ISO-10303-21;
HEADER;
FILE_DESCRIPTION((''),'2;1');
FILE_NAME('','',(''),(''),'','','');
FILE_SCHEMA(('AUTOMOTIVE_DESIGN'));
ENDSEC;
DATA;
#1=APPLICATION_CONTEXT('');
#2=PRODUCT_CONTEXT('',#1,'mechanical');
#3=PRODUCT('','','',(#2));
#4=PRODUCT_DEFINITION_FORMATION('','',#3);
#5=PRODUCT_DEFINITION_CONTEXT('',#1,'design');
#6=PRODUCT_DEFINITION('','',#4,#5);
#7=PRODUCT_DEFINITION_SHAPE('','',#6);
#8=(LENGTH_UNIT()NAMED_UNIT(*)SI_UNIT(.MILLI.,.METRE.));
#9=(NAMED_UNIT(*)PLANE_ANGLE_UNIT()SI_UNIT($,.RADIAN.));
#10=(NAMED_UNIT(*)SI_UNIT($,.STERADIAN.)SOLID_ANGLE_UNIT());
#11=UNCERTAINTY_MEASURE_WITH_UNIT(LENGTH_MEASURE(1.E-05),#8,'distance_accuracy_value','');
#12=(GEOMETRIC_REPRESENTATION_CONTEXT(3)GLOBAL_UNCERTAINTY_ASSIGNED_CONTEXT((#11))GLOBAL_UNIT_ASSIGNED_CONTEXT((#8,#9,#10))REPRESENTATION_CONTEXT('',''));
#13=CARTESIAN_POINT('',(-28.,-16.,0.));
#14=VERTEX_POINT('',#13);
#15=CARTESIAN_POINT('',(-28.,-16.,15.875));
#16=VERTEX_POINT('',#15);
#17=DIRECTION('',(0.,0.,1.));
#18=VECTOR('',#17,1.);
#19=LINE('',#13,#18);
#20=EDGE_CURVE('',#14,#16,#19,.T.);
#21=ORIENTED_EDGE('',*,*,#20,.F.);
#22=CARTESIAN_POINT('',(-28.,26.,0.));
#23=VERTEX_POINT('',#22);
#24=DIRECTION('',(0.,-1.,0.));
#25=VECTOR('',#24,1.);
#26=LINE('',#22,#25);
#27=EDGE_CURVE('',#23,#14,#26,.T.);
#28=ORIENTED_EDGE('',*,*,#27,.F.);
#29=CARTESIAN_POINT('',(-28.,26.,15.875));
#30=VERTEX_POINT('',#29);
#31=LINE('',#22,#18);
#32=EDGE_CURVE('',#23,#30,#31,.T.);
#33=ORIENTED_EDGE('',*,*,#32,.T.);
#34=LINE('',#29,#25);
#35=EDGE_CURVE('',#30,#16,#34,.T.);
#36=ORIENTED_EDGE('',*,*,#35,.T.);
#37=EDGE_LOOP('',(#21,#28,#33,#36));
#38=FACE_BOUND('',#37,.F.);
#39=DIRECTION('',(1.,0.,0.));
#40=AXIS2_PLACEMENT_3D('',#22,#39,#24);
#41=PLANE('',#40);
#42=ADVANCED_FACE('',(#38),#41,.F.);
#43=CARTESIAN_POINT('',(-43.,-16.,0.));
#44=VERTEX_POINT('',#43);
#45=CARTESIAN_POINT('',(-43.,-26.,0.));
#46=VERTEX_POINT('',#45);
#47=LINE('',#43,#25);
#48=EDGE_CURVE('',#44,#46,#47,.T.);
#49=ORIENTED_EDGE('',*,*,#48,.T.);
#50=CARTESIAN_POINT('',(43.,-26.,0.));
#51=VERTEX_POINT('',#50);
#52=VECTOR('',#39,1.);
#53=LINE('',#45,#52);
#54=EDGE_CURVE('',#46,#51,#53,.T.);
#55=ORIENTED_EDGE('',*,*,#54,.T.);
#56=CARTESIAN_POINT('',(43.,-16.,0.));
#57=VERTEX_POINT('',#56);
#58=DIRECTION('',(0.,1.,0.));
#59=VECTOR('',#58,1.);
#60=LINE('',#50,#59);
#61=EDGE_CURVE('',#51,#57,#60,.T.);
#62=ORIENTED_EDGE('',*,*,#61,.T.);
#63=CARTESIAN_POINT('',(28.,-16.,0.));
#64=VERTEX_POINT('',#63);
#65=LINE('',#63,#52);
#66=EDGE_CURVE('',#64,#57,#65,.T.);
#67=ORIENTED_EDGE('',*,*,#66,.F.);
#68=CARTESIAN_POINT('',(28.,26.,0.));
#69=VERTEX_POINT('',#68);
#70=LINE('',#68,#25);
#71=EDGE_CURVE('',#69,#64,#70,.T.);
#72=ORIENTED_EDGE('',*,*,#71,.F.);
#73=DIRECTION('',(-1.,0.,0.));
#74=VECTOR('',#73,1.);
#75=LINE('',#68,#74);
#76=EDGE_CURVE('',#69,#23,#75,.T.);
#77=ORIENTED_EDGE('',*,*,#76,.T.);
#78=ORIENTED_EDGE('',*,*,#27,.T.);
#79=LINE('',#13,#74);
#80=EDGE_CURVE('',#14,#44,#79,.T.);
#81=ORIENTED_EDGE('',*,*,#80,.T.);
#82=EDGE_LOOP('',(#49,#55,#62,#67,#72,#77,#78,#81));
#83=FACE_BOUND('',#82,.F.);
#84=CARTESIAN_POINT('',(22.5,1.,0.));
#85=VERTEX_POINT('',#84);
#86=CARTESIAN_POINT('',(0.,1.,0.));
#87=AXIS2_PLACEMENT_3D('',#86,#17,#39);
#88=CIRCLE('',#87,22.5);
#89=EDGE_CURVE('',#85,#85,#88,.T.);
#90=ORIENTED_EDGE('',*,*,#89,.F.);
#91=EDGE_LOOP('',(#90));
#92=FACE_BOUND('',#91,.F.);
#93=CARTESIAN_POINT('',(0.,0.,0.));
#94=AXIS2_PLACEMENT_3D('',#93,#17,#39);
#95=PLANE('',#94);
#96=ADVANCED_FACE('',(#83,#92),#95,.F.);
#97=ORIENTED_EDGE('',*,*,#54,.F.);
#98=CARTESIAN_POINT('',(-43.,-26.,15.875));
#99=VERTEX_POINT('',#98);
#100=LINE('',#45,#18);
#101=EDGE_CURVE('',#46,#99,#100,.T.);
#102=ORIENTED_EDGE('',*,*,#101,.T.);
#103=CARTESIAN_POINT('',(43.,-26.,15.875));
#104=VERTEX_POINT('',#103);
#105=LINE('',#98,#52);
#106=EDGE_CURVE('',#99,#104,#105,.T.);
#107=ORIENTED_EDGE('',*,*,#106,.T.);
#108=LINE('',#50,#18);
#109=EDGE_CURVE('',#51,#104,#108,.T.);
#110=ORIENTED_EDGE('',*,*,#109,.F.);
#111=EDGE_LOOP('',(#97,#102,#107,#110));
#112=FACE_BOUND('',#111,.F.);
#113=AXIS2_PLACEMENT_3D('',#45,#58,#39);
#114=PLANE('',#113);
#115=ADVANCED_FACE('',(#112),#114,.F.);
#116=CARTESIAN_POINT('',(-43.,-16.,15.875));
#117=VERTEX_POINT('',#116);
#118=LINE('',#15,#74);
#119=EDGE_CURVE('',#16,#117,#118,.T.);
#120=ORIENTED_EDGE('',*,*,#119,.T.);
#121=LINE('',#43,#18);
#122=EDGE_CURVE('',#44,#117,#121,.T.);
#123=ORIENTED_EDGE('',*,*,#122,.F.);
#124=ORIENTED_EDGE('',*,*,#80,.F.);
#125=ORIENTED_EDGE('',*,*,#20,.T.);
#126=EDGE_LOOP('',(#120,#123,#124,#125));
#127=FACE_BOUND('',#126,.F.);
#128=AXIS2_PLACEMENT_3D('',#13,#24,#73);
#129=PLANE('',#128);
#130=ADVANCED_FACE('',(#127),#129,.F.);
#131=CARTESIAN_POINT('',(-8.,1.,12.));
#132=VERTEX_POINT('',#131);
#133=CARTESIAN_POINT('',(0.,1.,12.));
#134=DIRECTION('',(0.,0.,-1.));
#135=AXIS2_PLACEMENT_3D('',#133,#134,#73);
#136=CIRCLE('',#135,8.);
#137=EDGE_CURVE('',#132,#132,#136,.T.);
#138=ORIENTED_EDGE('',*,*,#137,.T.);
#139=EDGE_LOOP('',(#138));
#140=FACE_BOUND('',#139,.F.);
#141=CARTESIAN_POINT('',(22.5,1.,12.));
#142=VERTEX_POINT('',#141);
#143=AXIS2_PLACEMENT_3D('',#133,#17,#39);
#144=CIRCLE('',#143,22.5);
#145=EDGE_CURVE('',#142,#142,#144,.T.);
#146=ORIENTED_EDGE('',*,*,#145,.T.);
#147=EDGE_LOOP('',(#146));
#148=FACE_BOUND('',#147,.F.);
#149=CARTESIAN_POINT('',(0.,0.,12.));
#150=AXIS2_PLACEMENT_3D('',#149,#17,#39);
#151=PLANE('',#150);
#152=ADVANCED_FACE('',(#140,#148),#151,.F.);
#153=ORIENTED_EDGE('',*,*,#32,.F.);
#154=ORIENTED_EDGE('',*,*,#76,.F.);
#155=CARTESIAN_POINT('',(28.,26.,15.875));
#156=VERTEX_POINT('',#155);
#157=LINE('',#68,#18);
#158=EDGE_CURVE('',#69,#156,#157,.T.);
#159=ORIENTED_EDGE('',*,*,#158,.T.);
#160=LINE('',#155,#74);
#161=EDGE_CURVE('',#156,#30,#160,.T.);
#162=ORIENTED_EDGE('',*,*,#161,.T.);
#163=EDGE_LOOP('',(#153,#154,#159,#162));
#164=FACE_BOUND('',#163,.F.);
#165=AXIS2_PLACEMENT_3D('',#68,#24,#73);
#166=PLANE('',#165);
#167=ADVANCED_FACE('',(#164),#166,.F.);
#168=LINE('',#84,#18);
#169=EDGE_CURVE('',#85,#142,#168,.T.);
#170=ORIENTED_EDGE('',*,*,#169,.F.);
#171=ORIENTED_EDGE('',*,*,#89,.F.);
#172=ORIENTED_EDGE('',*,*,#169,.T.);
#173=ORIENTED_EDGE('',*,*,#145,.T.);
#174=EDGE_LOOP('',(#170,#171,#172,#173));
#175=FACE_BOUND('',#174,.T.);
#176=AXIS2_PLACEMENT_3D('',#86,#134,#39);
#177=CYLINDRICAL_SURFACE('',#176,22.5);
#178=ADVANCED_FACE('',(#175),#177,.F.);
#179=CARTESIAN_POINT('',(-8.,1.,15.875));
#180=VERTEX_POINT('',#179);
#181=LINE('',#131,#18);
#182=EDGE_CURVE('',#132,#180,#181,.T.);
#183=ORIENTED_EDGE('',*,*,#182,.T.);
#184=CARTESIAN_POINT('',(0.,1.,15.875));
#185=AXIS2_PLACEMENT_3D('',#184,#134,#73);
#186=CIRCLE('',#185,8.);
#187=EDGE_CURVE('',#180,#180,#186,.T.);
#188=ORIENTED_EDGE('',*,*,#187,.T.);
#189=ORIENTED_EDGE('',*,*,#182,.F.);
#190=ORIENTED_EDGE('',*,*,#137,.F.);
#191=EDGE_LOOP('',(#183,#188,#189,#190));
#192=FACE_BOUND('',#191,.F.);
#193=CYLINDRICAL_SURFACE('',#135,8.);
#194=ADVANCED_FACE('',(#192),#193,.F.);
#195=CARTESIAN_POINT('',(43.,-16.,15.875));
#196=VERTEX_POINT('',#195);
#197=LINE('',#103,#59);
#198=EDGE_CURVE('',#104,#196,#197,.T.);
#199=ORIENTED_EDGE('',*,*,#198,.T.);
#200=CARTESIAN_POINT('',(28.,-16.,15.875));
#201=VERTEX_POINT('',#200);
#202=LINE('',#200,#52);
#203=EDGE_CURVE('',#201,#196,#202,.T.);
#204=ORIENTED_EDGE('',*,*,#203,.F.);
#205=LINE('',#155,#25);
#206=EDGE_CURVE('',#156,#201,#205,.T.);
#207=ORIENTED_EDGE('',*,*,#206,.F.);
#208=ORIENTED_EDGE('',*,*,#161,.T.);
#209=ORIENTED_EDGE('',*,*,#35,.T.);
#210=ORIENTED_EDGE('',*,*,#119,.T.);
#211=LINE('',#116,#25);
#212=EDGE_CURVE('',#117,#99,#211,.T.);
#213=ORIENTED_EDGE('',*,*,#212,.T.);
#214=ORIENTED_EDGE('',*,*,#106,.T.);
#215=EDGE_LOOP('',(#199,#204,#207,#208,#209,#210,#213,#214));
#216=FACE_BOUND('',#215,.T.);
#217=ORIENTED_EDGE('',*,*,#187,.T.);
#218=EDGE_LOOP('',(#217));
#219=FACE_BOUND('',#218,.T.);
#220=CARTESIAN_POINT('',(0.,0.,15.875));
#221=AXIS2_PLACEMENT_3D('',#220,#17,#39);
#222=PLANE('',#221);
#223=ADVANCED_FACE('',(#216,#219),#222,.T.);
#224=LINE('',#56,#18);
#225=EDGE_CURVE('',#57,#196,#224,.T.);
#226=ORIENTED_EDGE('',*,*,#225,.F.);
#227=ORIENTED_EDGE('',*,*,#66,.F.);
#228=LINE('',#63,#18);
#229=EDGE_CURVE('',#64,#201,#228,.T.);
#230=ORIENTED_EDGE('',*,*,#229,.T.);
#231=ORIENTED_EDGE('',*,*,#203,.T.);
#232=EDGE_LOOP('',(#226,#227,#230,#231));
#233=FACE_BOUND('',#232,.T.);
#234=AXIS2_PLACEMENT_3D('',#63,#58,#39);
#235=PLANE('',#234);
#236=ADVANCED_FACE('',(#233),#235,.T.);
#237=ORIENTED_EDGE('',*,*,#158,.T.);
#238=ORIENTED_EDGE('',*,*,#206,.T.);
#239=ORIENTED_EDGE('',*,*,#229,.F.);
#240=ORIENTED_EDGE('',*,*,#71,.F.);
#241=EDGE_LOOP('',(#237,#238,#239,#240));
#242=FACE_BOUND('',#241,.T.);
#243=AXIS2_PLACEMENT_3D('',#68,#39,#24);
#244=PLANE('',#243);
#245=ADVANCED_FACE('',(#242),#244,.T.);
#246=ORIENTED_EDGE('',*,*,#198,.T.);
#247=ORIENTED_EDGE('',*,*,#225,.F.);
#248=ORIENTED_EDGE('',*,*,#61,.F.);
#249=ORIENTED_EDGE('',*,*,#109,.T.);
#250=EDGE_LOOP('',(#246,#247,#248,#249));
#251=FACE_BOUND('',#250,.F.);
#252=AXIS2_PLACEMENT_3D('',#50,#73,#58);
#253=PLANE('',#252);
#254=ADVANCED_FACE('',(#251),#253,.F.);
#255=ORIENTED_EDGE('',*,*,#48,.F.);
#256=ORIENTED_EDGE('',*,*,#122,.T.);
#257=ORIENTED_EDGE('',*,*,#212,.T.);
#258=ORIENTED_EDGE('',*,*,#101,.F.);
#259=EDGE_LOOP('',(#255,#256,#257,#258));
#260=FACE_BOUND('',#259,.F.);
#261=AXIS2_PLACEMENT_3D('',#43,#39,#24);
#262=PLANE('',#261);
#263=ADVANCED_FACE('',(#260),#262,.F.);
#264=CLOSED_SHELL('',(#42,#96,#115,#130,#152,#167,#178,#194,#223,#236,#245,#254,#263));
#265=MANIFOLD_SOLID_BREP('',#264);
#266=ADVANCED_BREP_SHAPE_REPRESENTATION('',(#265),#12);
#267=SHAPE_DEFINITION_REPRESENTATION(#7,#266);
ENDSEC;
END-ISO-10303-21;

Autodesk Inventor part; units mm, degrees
ref_plane "YZ Plane" through (0, 0, 0) normal (1, 0, 0) x (0, 1, 0)
ref_plane "XZ Plane" through (0, 0, 0) normal (0, 1, 0) x (-1, 0, 0)
ref_plane "XY Plane" through (0, 0, 0) normal (0, 0, 1) x (1, 0, 0)
sketch "Sketch1" plane through (0, 0, 0) normal (0, 0, 1) x (1, 0, 0)
  line L0 (-43, -26) -> (43, -26)
  line L1 (43, -26) -> (43, -16)
  line L2 (28, 26) -> (-28, 26)
  line L3 (-43, -16) -> (-43, -26)
  line L4 (-28, 26) -> (-28, -16)
  line L5 (-28, -16) -> (-43, -16)
  line L6 (28, 26) -> (28, -16)
  line L7 (28, -16) -> (43, -16)
  circle A0 centre (0, 1) radius 22.5
  point P0 (0, 0)
  point P1 (35.5, -16)
  dimension "d4" = 52
  dimension "d5" = 42
  dimension "d6" = 56
  dimension "d7" = 86
  dimension "d8" = 10
  dimension "d9" = 27
  dimension "d10" = 45
extrude "Extrusion1" add sketch "Sketch1" along normal blind 15.875
sketch "Sketch2" plane through (0, 0, 15.875) normal (0, 0, 1) x (1, 0, 0)
  circle A0 centre (0, 1) radius 22.5 projected
  point P0 (0, 0)
extrude "Extrusion2" add sketch "Sketch2" against normal blind 3.875
sketch "Sketch3" plane through (0, 1, 12) normal (0, 0, -1) x (-1, 0, 0)
  circle A0 centre (0, 0) radius 8
  point P0 (0, -1)
  dimension "d15" = 16
extrude "Extrusion3" cut sketch "Sketch3" against normal blind 3.875
properties part number "Dudukan PG45"
